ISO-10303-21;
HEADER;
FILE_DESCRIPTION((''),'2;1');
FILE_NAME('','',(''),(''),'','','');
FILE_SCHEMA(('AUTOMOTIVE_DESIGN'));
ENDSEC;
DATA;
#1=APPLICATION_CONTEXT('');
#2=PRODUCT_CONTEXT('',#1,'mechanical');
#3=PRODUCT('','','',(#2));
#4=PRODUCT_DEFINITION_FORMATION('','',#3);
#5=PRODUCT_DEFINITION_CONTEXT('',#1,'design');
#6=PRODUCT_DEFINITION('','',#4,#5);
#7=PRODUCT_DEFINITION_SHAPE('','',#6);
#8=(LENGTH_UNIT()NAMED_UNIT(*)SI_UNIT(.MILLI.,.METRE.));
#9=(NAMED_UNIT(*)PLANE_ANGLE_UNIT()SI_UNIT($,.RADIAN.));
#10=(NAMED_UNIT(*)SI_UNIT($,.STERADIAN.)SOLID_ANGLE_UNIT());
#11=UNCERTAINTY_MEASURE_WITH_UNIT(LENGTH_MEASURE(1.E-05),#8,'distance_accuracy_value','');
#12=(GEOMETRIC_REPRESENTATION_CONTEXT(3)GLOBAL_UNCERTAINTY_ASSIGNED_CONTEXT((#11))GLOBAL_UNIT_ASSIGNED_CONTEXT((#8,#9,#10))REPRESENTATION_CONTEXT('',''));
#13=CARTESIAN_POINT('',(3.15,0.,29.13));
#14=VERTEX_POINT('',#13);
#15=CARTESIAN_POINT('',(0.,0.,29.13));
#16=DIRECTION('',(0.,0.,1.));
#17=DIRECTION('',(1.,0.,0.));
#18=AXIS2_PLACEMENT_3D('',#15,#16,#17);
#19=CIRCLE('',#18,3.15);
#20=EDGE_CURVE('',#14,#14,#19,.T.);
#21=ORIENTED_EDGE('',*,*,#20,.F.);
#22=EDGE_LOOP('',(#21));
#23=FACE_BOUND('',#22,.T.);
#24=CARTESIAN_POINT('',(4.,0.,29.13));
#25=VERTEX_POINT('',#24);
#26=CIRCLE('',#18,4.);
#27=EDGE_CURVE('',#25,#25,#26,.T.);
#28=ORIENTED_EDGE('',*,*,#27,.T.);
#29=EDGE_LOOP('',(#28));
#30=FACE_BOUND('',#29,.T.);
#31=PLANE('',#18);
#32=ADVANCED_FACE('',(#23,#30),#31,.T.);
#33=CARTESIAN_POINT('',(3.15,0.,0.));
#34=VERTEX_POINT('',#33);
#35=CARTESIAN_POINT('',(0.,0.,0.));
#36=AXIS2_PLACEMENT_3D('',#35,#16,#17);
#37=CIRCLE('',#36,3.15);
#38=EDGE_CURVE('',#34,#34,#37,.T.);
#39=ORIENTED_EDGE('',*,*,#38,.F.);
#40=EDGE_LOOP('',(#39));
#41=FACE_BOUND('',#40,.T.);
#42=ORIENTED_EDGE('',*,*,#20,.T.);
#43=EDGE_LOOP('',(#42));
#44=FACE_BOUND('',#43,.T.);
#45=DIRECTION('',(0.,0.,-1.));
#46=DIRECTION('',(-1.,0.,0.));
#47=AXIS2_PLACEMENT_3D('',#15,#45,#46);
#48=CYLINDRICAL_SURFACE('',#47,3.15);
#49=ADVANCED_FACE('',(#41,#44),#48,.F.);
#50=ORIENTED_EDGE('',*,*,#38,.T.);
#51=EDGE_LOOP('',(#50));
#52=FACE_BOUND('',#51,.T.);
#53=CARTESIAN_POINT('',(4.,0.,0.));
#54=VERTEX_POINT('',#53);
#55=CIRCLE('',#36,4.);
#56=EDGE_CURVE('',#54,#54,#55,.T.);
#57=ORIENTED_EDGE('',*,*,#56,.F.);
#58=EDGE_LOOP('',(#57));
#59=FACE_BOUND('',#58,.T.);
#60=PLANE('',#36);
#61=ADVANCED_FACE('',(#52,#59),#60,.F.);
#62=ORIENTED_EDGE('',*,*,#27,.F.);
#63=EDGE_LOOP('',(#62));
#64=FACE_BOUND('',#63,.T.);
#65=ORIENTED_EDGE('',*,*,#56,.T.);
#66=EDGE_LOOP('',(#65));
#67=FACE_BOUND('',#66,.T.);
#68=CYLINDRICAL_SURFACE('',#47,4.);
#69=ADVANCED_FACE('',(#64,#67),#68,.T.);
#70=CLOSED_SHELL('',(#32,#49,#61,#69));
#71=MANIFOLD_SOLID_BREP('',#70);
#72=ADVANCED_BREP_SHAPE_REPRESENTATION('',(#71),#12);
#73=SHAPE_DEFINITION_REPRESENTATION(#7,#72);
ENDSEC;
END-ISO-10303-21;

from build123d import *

# Parameters (mm, degrees)
SKETCH1_R           = 4
SKETCH1_R_2         = 3.15
BOSS_EXTRUDE1_DEPTH = 29.13


with BuildPart() as part:
    # Sketch1 → Boss-Extrude1 (new body)
    with BuildSketch(Plane.XY):
        Circle(SKETCH1_R)
        Circle(SKETCH1_R_2, mode=Mode.SUBTRACT)
    extrude(amount=BOSS_EXTRUDE1_DEPTH)


solid = part.part
